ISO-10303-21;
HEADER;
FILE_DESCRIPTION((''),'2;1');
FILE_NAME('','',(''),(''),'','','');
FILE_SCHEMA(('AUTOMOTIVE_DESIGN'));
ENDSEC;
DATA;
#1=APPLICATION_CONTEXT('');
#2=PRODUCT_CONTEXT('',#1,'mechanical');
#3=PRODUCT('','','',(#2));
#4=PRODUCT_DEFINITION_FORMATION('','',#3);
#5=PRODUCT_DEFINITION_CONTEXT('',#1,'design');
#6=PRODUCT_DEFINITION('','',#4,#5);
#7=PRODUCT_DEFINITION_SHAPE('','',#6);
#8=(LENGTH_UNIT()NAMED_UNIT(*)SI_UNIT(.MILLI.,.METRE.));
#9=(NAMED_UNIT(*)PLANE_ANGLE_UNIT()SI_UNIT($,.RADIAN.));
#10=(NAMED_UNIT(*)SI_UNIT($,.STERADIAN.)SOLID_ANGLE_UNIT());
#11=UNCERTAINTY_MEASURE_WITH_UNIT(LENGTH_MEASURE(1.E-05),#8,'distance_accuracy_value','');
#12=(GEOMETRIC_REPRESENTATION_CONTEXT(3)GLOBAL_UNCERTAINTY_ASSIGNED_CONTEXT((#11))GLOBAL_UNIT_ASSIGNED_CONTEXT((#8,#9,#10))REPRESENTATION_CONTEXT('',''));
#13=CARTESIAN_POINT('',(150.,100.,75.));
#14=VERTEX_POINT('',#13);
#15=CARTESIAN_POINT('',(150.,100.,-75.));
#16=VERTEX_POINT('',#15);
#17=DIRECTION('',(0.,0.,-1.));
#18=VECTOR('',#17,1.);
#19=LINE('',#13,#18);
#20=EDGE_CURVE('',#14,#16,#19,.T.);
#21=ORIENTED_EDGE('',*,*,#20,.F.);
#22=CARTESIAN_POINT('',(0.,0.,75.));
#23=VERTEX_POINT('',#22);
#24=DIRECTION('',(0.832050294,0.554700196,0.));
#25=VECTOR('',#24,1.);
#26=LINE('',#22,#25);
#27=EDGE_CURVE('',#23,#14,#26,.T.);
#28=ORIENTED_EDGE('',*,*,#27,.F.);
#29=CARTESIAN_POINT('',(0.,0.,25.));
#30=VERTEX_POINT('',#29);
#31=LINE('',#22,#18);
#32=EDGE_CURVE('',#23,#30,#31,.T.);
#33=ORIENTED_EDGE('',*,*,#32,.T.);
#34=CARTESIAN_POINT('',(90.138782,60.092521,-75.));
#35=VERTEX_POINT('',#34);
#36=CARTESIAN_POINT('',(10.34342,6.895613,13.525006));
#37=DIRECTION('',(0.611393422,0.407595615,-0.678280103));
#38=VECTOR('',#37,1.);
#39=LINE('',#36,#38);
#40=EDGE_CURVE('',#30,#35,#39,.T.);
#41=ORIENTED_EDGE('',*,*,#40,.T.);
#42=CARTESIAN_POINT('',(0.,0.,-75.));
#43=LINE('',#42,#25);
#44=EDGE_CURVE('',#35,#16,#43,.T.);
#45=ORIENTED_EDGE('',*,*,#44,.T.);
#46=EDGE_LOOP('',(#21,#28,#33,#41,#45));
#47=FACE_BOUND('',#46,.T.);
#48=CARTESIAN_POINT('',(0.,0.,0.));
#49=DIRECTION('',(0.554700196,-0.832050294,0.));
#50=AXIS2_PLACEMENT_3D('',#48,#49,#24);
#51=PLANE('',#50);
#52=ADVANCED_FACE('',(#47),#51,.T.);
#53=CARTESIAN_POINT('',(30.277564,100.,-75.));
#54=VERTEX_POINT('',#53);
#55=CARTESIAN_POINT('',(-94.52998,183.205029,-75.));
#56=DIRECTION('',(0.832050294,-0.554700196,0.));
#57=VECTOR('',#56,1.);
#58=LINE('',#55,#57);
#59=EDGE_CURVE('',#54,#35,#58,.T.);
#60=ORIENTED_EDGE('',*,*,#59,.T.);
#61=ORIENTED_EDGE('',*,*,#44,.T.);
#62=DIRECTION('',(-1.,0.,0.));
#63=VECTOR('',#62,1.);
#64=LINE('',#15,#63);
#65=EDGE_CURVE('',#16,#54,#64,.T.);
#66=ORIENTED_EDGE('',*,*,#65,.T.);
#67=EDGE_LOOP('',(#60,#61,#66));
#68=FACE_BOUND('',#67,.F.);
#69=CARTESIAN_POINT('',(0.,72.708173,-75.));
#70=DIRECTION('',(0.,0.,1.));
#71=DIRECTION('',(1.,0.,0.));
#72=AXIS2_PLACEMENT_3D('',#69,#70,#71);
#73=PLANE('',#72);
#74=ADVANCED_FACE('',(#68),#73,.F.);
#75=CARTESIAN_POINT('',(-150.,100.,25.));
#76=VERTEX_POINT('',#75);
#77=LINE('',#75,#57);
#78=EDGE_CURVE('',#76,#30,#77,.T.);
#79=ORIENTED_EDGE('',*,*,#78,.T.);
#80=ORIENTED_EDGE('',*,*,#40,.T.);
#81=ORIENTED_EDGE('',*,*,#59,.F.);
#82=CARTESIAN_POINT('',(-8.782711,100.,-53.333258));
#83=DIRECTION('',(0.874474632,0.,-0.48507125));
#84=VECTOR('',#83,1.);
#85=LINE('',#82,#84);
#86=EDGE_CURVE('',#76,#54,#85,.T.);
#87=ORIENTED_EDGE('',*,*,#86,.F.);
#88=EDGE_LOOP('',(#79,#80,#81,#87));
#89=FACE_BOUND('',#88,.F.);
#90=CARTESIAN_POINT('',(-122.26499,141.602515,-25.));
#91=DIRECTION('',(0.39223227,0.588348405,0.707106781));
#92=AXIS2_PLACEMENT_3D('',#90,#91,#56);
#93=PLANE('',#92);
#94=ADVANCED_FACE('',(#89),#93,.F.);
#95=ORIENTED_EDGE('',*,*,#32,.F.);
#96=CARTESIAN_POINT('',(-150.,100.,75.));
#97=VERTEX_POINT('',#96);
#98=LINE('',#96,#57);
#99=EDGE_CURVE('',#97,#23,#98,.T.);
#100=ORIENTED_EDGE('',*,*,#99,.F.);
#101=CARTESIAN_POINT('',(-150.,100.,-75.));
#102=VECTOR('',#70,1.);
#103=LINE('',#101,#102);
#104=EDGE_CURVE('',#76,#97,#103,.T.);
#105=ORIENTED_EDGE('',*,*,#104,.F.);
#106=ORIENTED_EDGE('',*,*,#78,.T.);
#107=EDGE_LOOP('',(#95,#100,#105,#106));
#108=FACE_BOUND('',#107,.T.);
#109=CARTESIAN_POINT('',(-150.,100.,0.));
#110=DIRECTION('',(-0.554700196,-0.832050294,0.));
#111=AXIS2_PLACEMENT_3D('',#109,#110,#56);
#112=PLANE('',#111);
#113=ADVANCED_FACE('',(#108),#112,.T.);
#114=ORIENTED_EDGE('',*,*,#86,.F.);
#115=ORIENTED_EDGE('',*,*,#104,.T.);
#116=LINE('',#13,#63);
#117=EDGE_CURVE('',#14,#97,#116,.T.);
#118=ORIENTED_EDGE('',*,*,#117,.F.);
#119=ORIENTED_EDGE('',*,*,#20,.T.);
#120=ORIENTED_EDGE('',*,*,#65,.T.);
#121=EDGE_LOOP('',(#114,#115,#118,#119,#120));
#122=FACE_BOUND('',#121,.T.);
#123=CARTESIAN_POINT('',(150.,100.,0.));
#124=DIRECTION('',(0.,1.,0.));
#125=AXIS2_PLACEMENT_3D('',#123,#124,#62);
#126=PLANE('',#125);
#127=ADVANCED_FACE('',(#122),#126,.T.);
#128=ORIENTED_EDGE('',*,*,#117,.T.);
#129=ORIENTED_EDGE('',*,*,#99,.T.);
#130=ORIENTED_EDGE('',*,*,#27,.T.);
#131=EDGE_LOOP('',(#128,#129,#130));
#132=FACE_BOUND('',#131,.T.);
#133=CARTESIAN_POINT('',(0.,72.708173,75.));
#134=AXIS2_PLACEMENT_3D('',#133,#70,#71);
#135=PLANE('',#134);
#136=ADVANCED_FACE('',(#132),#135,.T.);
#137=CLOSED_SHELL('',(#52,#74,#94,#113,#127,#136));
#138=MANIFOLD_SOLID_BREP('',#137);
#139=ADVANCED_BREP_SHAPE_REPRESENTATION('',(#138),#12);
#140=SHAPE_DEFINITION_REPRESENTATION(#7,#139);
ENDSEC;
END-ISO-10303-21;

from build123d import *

# Parameters (mm, degrees)
F1_DEPTH = 75
F2_SIZE  = 100


with BuildPart() as f1:
    # F0 (on Top) → F1 (new body, symmetric)
    with BuildSketch(Plane.XY):
        Polygon((150, 100), (0, 100), (-150, 100), (0, 0), align=None)
    extrude(amount=F1_DEPTH, both=True)

    # F2
    f2_edges = [f1.edges().sort_by_distance(p)[0] for p in [
        (-75, 50, -75),
    ]]
    chamfer(f2_edges, length=F2_SIZE)


solid = f1.part
